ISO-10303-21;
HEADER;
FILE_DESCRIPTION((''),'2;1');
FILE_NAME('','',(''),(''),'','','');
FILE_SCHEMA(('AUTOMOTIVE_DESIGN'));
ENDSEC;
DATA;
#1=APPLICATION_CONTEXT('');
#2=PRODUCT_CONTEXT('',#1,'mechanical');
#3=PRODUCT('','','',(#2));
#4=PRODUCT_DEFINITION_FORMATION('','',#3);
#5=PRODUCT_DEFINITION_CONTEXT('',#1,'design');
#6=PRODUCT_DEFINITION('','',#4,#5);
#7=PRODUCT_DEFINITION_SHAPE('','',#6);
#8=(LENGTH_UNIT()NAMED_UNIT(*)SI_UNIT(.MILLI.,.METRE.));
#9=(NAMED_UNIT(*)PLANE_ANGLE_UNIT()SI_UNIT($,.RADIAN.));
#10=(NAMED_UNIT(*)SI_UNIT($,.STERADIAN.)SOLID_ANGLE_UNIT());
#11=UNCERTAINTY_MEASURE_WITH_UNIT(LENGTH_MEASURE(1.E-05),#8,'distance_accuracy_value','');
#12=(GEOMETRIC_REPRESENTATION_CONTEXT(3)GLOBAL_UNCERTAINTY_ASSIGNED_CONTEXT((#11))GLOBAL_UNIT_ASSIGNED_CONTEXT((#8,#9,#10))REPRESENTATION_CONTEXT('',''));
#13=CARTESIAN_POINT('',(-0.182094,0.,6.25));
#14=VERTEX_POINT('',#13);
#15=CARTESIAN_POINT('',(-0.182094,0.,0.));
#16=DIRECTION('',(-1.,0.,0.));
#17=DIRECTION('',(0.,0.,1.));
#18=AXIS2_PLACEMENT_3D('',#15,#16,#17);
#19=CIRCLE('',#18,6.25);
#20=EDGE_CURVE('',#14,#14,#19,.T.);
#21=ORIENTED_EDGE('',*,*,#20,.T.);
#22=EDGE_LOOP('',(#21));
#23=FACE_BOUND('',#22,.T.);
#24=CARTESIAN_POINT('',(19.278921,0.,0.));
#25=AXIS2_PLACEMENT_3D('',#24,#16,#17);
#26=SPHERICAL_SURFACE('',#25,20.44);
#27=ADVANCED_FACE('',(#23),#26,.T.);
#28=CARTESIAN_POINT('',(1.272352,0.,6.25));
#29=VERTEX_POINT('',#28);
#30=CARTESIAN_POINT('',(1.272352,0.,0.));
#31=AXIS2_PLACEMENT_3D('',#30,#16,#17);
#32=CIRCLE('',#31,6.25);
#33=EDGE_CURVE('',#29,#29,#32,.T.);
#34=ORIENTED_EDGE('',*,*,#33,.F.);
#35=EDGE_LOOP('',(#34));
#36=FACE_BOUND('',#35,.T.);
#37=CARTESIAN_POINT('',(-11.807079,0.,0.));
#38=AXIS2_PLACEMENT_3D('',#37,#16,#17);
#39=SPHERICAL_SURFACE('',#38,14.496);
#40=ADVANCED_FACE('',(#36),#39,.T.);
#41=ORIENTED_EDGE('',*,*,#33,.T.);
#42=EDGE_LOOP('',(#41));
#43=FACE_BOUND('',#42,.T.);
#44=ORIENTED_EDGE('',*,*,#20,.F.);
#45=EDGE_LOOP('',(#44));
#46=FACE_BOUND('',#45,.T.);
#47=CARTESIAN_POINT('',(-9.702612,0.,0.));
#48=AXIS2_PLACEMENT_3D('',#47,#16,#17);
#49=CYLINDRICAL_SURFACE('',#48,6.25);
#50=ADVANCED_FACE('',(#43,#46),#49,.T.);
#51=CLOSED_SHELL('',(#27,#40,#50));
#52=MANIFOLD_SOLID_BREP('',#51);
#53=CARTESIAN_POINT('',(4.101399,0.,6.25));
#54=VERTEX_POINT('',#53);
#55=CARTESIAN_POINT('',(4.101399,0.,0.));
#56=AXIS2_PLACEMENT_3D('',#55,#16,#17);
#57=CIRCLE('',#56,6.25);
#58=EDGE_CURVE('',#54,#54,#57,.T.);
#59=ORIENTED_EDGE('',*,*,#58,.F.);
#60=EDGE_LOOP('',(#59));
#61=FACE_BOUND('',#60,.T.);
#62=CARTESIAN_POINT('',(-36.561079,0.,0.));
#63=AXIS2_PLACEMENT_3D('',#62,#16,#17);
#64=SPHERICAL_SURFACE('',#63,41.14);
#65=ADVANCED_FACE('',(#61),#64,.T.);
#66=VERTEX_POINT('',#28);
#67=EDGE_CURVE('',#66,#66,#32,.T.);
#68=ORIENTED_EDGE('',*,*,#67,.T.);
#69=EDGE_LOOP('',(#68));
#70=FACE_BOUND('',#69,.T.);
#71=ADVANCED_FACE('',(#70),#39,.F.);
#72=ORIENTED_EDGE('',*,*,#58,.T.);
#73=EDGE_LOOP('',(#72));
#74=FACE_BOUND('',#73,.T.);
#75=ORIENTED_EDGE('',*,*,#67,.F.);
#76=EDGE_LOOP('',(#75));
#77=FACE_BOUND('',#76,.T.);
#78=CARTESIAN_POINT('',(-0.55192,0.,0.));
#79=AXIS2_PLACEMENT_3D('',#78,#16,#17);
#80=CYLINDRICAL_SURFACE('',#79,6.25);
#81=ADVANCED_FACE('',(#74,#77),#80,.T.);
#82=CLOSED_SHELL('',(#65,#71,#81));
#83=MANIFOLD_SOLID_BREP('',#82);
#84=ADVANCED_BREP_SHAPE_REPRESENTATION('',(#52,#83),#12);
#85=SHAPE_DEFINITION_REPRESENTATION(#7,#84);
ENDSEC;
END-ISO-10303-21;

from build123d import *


with BuildPart() as part:
    # 草图1 one side → 旋转1 (revolve)
    with BuildSketch(Plane(origin=(0, 0, 0), x_dir=(1, 0, 0), z_dir=(0, 1, 0)), mode=Mode.PRIVATE) as revolve_1_sk:
        with BuildLine():
            ThreePointArc((-0.182094095, 6.25), (-0.914849844, 3.163104167), (-1.161079219, 0))
            Line((-1.161079219, 0), (2.688920781, 0))
            ThreePointArc((2.688920781, 0), (2.330343604, 3.204261524), (1.272351808, 6.25))
            Line((1.272351808, 6.25), (-0.182094095, 6.25))
        make_face()
    revolve(revolve_1_sk.sketch.rotate(Axis((-9.702612178, 0, 0), (1, 0, 0)), 180), axis=Axis((-9.702612178, 0, 0), (1, 0, 0)))  # turned: the seam where the file's is


with BuildPart() as body_2:
    # 草图2 one side → 旋转3 (revolve)
    with BuildSketch(Plane(origin=(0, 0, 0), x_dir=(1, 0, 0), z_dir=(0, 1, 0)), mode=Mode.PRIVATE) as revolve_3_sk:
        with BuildLine():
            Line((4.10139857, 6.25), (1.272351808, 6.25))
            ThreePointArc((1.272351808, 6.25), (2.330343604, 3.204261524), (2.688920781, 0))
            Line((2.688920781, 0), (4.578920781, 0))
            ThreePointArc((4.578920781, 0), (4.459366514, 3.134107826), (4.10139857, 6.25))
        make_face()
    revolve(revolve_3_sk.sketch.rotate(Axis((-0.551919993, 0, 0), (1, 0, 0)), 180), axis=Axis((-0.551919993, 0, 0), (1, 0, 0)))  # turned: the seam where the file's is


solid = Compound([part.part, body_2.part])
